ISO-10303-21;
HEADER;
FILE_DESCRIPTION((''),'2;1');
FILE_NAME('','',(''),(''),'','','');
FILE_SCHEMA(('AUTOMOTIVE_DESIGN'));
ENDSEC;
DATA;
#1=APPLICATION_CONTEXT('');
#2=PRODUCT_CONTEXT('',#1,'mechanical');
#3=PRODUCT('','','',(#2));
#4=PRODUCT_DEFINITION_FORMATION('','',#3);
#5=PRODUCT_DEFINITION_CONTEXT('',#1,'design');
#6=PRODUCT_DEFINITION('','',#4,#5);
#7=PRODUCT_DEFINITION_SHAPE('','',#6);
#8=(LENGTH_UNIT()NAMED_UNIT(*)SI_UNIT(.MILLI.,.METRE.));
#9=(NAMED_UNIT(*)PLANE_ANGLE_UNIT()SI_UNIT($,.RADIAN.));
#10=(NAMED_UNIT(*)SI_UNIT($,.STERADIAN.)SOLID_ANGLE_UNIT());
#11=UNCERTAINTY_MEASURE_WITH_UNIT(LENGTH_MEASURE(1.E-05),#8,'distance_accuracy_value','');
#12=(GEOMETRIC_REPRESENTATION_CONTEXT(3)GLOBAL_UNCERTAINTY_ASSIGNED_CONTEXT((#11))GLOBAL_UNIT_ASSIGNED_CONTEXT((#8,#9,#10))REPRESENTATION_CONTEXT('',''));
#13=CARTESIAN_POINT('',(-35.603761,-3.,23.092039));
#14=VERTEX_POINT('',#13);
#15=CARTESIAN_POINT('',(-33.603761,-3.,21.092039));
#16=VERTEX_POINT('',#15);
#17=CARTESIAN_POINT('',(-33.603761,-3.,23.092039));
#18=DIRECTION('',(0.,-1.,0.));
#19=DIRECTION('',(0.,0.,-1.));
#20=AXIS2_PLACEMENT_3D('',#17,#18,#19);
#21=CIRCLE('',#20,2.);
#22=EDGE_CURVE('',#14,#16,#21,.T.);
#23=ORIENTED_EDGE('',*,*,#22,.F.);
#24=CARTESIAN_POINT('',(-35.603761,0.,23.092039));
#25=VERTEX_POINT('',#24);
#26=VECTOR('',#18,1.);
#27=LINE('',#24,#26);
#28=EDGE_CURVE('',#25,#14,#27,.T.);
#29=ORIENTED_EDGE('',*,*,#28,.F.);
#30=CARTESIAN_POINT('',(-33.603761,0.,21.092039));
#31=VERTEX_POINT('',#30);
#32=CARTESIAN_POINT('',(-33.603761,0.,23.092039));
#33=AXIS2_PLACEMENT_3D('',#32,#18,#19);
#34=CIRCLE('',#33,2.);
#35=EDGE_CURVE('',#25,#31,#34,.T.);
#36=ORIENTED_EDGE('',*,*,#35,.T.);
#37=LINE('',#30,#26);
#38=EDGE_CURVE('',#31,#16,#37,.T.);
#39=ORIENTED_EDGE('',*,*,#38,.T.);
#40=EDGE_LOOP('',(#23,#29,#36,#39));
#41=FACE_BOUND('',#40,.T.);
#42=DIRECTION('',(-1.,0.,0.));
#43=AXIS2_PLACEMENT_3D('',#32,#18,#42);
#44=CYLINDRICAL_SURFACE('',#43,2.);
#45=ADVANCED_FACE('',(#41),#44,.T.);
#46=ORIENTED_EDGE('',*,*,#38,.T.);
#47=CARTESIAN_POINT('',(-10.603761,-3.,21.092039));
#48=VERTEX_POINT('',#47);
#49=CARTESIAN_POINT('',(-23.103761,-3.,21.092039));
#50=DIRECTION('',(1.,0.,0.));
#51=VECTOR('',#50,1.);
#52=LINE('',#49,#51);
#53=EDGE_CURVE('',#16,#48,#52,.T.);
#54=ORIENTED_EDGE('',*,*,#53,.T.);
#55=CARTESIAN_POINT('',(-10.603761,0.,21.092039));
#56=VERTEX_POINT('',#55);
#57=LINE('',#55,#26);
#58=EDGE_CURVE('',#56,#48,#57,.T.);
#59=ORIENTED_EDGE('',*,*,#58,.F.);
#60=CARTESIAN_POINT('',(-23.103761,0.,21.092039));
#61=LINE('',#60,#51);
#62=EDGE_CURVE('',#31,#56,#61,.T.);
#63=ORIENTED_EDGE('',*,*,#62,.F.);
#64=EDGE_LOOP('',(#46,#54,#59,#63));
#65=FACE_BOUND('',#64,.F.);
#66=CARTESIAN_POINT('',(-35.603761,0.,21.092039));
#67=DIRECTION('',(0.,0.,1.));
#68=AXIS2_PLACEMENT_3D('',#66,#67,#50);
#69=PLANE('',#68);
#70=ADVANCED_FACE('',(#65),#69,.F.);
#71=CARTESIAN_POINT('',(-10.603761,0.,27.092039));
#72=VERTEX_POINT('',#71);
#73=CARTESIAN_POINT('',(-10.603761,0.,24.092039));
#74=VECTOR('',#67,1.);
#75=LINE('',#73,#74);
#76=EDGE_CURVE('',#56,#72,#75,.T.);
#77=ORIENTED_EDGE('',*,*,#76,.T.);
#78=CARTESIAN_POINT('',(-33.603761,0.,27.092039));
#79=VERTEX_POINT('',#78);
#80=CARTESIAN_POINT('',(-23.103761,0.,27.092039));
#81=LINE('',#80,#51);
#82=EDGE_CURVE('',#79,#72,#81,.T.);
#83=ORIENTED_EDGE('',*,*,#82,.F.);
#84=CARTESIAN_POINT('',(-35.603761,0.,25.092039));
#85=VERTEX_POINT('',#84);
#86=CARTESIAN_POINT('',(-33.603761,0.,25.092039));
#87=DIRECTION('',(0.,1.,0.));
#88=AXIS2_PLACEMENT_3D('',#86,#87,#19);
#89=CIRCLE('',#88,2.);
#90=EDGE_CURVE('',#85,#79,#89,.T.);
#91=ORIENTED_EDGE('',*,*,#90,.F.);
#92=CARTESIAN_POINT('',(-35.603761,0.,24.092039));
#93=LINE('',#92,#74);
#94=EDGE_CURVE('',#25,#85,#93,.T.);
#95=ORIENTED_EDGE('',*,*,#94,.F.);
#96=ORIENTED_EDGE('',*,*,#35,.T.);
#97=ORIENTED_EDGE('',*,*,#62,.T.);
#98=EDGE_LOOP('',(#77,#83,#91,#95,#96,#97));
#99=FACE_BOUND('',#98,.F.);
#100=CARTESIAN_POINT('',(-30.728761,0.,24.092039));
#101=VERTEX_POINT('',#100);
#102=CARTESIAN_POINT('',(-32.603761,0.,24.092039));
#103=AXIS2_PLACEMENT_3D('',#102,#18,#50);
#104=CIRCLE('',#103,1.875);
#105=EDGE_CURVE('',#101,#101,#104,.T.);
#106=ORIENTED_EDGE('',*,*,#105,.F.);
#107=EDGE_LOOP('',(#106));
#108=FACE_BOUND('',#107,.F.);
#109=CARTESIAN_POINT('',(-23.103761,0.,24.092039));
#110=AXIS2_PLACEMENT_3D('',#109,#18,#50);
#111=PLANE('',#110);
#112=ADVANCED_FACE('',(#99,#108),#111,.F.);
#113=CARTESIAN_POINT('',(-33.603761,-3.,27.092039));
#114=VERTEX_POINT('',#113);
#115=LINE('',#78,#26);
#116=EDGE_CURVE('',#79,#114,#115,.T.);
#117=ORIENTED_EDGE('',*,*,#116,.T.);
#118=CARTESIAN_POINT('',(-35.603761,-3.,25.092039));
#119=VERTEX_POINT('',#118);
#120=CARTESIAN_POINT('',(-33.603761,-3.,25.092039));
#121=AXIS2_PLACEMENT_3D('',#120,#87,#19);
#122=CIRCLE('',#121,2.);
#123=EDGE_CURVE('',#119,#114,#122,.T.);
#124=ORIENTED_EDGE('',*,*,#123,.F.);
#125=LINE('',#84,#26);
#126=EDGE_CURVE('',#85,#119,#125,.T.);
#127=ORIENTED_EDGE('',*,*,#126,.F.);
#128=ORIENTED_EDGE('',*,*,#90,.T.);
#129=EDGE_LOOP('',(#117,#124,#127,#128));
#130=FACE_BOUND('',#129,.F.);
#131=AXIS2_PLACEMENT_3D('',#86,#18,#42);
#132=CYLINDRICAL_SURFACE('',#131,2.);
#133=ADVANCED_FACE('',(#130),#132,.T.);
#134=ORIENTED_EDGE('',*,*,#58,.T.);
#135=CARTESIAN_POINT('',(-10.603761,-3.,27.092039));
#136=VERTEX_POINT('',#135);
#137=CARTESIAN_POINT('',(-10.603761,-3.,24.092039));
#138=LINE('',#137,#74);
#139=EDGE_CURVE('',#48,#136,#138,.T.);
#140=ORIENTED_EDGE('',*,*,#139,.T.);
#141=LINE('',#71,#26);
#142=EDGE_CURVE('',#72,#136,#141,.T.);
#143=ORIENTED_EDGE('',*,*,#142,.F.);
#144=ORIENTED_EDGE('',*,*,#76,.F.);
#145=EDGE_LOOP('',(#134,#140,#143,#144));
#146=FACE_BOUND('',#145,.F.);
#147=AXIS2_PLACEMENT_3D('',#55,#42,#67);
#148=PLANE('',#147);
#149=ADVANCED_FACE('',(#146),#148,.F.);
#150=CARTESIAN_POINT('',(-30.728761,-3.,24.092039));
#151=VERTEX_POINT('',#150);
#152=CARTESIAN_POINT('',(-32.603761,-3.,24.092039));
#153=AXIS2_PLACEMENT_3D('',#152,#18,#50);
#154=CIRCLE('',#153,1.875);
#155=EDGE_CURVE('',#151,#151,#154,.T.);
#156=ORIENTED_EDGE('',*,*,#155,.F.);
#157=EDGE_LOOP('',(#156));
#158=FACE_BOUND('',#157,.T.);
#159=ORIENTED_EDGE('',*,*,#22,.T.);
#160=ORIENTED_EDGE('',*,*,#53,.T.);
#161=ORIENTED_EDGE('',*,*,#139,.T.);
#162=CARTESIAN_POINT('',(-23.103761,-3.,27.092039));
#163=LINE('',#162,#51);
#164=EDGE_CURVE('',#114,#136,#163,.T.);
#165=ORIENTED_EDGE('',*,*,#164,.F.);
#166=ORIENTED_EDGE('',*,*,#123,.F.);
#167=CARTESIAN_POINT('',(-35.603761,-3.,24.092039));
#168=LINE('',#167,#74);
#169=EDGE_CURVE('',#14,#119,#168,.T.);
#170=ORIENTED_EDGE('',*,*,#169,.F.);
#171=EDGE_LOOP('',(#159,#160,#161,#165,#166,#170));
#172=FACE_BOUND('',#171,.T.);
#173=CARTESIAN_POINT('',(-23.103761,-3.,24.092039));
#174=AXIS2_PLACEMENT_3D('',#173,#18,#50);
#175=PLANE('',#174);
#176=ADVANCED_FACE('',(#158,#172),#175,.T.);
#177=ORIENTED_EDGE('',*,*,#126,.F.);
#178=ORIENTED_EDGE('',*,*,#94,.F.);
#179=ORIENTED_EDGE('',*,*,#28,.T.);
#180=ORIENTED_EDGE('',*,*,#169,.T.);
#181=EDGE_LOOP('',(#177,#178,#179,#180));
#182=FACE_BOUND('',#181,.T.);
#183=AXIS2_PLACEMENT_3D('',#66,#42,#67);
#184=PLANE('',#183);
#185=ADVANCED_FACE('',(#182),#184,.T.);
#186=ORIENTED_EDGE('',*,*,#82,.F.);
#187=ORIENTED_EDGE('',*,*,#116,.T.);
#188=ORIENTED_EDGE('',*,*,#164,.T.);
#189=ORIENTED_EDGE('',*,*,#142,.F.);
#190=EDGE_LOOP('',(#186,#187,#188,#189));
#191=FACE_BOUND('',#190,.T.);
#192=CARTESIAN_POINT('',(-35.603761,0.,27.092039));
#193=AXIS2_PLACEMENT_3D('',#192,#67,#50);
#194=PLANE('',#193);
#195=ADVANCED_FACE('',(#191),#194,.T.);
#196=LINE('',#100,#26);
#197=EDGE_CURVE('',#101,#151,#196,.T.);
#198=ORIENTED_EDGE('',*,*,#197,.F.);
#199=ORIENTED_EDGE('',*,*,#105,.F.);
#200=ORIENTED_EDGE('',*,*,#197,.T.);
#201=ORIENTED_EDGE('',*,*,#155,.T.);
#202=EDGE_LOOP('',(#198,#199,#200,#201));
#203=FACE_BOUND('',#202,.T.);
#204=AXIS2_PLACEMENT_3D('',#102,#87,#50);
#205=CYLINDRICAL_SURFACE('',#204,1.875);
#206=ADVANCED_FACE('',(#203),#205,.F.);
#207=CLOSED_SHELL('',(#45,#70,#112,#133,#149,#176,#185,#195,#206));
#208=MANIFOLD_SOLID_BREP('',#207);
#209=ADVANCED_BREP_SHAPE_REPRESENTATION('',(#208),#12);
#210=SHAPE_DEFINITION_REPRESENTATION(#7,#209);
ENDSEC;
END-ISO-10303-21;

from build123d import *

# Parameters (mm, degrees)
F0_W     = 25
F0_H     = 6
F0_R     = 1.875
F1_DEPTH = 3
F2_R     = 2


with BuildPart() as f1:
    # F0 (on Front) → F1 (new body)
    with BuildSketch(Plane.XZ):
        with Locations((-23.103761, 24.092039)):
            Rectangle(F0_W, F0_H)
        with Locations((-32.603761, 24.092039)):
            Circle(F0_R, mode=Mode.SUBTRACT)
    extrude(amount=F1_DEPTH)

    # F2
    f2_edges = [f1.edges().sort_by_distance(p)[0] for p in [
        (-35.603761, -1.5, 27.092039),
        (-35.603761, -1.5, 21.092039),
    ]]
    fillet(f2_edges, radius=F2_R)


solid = f1.part
